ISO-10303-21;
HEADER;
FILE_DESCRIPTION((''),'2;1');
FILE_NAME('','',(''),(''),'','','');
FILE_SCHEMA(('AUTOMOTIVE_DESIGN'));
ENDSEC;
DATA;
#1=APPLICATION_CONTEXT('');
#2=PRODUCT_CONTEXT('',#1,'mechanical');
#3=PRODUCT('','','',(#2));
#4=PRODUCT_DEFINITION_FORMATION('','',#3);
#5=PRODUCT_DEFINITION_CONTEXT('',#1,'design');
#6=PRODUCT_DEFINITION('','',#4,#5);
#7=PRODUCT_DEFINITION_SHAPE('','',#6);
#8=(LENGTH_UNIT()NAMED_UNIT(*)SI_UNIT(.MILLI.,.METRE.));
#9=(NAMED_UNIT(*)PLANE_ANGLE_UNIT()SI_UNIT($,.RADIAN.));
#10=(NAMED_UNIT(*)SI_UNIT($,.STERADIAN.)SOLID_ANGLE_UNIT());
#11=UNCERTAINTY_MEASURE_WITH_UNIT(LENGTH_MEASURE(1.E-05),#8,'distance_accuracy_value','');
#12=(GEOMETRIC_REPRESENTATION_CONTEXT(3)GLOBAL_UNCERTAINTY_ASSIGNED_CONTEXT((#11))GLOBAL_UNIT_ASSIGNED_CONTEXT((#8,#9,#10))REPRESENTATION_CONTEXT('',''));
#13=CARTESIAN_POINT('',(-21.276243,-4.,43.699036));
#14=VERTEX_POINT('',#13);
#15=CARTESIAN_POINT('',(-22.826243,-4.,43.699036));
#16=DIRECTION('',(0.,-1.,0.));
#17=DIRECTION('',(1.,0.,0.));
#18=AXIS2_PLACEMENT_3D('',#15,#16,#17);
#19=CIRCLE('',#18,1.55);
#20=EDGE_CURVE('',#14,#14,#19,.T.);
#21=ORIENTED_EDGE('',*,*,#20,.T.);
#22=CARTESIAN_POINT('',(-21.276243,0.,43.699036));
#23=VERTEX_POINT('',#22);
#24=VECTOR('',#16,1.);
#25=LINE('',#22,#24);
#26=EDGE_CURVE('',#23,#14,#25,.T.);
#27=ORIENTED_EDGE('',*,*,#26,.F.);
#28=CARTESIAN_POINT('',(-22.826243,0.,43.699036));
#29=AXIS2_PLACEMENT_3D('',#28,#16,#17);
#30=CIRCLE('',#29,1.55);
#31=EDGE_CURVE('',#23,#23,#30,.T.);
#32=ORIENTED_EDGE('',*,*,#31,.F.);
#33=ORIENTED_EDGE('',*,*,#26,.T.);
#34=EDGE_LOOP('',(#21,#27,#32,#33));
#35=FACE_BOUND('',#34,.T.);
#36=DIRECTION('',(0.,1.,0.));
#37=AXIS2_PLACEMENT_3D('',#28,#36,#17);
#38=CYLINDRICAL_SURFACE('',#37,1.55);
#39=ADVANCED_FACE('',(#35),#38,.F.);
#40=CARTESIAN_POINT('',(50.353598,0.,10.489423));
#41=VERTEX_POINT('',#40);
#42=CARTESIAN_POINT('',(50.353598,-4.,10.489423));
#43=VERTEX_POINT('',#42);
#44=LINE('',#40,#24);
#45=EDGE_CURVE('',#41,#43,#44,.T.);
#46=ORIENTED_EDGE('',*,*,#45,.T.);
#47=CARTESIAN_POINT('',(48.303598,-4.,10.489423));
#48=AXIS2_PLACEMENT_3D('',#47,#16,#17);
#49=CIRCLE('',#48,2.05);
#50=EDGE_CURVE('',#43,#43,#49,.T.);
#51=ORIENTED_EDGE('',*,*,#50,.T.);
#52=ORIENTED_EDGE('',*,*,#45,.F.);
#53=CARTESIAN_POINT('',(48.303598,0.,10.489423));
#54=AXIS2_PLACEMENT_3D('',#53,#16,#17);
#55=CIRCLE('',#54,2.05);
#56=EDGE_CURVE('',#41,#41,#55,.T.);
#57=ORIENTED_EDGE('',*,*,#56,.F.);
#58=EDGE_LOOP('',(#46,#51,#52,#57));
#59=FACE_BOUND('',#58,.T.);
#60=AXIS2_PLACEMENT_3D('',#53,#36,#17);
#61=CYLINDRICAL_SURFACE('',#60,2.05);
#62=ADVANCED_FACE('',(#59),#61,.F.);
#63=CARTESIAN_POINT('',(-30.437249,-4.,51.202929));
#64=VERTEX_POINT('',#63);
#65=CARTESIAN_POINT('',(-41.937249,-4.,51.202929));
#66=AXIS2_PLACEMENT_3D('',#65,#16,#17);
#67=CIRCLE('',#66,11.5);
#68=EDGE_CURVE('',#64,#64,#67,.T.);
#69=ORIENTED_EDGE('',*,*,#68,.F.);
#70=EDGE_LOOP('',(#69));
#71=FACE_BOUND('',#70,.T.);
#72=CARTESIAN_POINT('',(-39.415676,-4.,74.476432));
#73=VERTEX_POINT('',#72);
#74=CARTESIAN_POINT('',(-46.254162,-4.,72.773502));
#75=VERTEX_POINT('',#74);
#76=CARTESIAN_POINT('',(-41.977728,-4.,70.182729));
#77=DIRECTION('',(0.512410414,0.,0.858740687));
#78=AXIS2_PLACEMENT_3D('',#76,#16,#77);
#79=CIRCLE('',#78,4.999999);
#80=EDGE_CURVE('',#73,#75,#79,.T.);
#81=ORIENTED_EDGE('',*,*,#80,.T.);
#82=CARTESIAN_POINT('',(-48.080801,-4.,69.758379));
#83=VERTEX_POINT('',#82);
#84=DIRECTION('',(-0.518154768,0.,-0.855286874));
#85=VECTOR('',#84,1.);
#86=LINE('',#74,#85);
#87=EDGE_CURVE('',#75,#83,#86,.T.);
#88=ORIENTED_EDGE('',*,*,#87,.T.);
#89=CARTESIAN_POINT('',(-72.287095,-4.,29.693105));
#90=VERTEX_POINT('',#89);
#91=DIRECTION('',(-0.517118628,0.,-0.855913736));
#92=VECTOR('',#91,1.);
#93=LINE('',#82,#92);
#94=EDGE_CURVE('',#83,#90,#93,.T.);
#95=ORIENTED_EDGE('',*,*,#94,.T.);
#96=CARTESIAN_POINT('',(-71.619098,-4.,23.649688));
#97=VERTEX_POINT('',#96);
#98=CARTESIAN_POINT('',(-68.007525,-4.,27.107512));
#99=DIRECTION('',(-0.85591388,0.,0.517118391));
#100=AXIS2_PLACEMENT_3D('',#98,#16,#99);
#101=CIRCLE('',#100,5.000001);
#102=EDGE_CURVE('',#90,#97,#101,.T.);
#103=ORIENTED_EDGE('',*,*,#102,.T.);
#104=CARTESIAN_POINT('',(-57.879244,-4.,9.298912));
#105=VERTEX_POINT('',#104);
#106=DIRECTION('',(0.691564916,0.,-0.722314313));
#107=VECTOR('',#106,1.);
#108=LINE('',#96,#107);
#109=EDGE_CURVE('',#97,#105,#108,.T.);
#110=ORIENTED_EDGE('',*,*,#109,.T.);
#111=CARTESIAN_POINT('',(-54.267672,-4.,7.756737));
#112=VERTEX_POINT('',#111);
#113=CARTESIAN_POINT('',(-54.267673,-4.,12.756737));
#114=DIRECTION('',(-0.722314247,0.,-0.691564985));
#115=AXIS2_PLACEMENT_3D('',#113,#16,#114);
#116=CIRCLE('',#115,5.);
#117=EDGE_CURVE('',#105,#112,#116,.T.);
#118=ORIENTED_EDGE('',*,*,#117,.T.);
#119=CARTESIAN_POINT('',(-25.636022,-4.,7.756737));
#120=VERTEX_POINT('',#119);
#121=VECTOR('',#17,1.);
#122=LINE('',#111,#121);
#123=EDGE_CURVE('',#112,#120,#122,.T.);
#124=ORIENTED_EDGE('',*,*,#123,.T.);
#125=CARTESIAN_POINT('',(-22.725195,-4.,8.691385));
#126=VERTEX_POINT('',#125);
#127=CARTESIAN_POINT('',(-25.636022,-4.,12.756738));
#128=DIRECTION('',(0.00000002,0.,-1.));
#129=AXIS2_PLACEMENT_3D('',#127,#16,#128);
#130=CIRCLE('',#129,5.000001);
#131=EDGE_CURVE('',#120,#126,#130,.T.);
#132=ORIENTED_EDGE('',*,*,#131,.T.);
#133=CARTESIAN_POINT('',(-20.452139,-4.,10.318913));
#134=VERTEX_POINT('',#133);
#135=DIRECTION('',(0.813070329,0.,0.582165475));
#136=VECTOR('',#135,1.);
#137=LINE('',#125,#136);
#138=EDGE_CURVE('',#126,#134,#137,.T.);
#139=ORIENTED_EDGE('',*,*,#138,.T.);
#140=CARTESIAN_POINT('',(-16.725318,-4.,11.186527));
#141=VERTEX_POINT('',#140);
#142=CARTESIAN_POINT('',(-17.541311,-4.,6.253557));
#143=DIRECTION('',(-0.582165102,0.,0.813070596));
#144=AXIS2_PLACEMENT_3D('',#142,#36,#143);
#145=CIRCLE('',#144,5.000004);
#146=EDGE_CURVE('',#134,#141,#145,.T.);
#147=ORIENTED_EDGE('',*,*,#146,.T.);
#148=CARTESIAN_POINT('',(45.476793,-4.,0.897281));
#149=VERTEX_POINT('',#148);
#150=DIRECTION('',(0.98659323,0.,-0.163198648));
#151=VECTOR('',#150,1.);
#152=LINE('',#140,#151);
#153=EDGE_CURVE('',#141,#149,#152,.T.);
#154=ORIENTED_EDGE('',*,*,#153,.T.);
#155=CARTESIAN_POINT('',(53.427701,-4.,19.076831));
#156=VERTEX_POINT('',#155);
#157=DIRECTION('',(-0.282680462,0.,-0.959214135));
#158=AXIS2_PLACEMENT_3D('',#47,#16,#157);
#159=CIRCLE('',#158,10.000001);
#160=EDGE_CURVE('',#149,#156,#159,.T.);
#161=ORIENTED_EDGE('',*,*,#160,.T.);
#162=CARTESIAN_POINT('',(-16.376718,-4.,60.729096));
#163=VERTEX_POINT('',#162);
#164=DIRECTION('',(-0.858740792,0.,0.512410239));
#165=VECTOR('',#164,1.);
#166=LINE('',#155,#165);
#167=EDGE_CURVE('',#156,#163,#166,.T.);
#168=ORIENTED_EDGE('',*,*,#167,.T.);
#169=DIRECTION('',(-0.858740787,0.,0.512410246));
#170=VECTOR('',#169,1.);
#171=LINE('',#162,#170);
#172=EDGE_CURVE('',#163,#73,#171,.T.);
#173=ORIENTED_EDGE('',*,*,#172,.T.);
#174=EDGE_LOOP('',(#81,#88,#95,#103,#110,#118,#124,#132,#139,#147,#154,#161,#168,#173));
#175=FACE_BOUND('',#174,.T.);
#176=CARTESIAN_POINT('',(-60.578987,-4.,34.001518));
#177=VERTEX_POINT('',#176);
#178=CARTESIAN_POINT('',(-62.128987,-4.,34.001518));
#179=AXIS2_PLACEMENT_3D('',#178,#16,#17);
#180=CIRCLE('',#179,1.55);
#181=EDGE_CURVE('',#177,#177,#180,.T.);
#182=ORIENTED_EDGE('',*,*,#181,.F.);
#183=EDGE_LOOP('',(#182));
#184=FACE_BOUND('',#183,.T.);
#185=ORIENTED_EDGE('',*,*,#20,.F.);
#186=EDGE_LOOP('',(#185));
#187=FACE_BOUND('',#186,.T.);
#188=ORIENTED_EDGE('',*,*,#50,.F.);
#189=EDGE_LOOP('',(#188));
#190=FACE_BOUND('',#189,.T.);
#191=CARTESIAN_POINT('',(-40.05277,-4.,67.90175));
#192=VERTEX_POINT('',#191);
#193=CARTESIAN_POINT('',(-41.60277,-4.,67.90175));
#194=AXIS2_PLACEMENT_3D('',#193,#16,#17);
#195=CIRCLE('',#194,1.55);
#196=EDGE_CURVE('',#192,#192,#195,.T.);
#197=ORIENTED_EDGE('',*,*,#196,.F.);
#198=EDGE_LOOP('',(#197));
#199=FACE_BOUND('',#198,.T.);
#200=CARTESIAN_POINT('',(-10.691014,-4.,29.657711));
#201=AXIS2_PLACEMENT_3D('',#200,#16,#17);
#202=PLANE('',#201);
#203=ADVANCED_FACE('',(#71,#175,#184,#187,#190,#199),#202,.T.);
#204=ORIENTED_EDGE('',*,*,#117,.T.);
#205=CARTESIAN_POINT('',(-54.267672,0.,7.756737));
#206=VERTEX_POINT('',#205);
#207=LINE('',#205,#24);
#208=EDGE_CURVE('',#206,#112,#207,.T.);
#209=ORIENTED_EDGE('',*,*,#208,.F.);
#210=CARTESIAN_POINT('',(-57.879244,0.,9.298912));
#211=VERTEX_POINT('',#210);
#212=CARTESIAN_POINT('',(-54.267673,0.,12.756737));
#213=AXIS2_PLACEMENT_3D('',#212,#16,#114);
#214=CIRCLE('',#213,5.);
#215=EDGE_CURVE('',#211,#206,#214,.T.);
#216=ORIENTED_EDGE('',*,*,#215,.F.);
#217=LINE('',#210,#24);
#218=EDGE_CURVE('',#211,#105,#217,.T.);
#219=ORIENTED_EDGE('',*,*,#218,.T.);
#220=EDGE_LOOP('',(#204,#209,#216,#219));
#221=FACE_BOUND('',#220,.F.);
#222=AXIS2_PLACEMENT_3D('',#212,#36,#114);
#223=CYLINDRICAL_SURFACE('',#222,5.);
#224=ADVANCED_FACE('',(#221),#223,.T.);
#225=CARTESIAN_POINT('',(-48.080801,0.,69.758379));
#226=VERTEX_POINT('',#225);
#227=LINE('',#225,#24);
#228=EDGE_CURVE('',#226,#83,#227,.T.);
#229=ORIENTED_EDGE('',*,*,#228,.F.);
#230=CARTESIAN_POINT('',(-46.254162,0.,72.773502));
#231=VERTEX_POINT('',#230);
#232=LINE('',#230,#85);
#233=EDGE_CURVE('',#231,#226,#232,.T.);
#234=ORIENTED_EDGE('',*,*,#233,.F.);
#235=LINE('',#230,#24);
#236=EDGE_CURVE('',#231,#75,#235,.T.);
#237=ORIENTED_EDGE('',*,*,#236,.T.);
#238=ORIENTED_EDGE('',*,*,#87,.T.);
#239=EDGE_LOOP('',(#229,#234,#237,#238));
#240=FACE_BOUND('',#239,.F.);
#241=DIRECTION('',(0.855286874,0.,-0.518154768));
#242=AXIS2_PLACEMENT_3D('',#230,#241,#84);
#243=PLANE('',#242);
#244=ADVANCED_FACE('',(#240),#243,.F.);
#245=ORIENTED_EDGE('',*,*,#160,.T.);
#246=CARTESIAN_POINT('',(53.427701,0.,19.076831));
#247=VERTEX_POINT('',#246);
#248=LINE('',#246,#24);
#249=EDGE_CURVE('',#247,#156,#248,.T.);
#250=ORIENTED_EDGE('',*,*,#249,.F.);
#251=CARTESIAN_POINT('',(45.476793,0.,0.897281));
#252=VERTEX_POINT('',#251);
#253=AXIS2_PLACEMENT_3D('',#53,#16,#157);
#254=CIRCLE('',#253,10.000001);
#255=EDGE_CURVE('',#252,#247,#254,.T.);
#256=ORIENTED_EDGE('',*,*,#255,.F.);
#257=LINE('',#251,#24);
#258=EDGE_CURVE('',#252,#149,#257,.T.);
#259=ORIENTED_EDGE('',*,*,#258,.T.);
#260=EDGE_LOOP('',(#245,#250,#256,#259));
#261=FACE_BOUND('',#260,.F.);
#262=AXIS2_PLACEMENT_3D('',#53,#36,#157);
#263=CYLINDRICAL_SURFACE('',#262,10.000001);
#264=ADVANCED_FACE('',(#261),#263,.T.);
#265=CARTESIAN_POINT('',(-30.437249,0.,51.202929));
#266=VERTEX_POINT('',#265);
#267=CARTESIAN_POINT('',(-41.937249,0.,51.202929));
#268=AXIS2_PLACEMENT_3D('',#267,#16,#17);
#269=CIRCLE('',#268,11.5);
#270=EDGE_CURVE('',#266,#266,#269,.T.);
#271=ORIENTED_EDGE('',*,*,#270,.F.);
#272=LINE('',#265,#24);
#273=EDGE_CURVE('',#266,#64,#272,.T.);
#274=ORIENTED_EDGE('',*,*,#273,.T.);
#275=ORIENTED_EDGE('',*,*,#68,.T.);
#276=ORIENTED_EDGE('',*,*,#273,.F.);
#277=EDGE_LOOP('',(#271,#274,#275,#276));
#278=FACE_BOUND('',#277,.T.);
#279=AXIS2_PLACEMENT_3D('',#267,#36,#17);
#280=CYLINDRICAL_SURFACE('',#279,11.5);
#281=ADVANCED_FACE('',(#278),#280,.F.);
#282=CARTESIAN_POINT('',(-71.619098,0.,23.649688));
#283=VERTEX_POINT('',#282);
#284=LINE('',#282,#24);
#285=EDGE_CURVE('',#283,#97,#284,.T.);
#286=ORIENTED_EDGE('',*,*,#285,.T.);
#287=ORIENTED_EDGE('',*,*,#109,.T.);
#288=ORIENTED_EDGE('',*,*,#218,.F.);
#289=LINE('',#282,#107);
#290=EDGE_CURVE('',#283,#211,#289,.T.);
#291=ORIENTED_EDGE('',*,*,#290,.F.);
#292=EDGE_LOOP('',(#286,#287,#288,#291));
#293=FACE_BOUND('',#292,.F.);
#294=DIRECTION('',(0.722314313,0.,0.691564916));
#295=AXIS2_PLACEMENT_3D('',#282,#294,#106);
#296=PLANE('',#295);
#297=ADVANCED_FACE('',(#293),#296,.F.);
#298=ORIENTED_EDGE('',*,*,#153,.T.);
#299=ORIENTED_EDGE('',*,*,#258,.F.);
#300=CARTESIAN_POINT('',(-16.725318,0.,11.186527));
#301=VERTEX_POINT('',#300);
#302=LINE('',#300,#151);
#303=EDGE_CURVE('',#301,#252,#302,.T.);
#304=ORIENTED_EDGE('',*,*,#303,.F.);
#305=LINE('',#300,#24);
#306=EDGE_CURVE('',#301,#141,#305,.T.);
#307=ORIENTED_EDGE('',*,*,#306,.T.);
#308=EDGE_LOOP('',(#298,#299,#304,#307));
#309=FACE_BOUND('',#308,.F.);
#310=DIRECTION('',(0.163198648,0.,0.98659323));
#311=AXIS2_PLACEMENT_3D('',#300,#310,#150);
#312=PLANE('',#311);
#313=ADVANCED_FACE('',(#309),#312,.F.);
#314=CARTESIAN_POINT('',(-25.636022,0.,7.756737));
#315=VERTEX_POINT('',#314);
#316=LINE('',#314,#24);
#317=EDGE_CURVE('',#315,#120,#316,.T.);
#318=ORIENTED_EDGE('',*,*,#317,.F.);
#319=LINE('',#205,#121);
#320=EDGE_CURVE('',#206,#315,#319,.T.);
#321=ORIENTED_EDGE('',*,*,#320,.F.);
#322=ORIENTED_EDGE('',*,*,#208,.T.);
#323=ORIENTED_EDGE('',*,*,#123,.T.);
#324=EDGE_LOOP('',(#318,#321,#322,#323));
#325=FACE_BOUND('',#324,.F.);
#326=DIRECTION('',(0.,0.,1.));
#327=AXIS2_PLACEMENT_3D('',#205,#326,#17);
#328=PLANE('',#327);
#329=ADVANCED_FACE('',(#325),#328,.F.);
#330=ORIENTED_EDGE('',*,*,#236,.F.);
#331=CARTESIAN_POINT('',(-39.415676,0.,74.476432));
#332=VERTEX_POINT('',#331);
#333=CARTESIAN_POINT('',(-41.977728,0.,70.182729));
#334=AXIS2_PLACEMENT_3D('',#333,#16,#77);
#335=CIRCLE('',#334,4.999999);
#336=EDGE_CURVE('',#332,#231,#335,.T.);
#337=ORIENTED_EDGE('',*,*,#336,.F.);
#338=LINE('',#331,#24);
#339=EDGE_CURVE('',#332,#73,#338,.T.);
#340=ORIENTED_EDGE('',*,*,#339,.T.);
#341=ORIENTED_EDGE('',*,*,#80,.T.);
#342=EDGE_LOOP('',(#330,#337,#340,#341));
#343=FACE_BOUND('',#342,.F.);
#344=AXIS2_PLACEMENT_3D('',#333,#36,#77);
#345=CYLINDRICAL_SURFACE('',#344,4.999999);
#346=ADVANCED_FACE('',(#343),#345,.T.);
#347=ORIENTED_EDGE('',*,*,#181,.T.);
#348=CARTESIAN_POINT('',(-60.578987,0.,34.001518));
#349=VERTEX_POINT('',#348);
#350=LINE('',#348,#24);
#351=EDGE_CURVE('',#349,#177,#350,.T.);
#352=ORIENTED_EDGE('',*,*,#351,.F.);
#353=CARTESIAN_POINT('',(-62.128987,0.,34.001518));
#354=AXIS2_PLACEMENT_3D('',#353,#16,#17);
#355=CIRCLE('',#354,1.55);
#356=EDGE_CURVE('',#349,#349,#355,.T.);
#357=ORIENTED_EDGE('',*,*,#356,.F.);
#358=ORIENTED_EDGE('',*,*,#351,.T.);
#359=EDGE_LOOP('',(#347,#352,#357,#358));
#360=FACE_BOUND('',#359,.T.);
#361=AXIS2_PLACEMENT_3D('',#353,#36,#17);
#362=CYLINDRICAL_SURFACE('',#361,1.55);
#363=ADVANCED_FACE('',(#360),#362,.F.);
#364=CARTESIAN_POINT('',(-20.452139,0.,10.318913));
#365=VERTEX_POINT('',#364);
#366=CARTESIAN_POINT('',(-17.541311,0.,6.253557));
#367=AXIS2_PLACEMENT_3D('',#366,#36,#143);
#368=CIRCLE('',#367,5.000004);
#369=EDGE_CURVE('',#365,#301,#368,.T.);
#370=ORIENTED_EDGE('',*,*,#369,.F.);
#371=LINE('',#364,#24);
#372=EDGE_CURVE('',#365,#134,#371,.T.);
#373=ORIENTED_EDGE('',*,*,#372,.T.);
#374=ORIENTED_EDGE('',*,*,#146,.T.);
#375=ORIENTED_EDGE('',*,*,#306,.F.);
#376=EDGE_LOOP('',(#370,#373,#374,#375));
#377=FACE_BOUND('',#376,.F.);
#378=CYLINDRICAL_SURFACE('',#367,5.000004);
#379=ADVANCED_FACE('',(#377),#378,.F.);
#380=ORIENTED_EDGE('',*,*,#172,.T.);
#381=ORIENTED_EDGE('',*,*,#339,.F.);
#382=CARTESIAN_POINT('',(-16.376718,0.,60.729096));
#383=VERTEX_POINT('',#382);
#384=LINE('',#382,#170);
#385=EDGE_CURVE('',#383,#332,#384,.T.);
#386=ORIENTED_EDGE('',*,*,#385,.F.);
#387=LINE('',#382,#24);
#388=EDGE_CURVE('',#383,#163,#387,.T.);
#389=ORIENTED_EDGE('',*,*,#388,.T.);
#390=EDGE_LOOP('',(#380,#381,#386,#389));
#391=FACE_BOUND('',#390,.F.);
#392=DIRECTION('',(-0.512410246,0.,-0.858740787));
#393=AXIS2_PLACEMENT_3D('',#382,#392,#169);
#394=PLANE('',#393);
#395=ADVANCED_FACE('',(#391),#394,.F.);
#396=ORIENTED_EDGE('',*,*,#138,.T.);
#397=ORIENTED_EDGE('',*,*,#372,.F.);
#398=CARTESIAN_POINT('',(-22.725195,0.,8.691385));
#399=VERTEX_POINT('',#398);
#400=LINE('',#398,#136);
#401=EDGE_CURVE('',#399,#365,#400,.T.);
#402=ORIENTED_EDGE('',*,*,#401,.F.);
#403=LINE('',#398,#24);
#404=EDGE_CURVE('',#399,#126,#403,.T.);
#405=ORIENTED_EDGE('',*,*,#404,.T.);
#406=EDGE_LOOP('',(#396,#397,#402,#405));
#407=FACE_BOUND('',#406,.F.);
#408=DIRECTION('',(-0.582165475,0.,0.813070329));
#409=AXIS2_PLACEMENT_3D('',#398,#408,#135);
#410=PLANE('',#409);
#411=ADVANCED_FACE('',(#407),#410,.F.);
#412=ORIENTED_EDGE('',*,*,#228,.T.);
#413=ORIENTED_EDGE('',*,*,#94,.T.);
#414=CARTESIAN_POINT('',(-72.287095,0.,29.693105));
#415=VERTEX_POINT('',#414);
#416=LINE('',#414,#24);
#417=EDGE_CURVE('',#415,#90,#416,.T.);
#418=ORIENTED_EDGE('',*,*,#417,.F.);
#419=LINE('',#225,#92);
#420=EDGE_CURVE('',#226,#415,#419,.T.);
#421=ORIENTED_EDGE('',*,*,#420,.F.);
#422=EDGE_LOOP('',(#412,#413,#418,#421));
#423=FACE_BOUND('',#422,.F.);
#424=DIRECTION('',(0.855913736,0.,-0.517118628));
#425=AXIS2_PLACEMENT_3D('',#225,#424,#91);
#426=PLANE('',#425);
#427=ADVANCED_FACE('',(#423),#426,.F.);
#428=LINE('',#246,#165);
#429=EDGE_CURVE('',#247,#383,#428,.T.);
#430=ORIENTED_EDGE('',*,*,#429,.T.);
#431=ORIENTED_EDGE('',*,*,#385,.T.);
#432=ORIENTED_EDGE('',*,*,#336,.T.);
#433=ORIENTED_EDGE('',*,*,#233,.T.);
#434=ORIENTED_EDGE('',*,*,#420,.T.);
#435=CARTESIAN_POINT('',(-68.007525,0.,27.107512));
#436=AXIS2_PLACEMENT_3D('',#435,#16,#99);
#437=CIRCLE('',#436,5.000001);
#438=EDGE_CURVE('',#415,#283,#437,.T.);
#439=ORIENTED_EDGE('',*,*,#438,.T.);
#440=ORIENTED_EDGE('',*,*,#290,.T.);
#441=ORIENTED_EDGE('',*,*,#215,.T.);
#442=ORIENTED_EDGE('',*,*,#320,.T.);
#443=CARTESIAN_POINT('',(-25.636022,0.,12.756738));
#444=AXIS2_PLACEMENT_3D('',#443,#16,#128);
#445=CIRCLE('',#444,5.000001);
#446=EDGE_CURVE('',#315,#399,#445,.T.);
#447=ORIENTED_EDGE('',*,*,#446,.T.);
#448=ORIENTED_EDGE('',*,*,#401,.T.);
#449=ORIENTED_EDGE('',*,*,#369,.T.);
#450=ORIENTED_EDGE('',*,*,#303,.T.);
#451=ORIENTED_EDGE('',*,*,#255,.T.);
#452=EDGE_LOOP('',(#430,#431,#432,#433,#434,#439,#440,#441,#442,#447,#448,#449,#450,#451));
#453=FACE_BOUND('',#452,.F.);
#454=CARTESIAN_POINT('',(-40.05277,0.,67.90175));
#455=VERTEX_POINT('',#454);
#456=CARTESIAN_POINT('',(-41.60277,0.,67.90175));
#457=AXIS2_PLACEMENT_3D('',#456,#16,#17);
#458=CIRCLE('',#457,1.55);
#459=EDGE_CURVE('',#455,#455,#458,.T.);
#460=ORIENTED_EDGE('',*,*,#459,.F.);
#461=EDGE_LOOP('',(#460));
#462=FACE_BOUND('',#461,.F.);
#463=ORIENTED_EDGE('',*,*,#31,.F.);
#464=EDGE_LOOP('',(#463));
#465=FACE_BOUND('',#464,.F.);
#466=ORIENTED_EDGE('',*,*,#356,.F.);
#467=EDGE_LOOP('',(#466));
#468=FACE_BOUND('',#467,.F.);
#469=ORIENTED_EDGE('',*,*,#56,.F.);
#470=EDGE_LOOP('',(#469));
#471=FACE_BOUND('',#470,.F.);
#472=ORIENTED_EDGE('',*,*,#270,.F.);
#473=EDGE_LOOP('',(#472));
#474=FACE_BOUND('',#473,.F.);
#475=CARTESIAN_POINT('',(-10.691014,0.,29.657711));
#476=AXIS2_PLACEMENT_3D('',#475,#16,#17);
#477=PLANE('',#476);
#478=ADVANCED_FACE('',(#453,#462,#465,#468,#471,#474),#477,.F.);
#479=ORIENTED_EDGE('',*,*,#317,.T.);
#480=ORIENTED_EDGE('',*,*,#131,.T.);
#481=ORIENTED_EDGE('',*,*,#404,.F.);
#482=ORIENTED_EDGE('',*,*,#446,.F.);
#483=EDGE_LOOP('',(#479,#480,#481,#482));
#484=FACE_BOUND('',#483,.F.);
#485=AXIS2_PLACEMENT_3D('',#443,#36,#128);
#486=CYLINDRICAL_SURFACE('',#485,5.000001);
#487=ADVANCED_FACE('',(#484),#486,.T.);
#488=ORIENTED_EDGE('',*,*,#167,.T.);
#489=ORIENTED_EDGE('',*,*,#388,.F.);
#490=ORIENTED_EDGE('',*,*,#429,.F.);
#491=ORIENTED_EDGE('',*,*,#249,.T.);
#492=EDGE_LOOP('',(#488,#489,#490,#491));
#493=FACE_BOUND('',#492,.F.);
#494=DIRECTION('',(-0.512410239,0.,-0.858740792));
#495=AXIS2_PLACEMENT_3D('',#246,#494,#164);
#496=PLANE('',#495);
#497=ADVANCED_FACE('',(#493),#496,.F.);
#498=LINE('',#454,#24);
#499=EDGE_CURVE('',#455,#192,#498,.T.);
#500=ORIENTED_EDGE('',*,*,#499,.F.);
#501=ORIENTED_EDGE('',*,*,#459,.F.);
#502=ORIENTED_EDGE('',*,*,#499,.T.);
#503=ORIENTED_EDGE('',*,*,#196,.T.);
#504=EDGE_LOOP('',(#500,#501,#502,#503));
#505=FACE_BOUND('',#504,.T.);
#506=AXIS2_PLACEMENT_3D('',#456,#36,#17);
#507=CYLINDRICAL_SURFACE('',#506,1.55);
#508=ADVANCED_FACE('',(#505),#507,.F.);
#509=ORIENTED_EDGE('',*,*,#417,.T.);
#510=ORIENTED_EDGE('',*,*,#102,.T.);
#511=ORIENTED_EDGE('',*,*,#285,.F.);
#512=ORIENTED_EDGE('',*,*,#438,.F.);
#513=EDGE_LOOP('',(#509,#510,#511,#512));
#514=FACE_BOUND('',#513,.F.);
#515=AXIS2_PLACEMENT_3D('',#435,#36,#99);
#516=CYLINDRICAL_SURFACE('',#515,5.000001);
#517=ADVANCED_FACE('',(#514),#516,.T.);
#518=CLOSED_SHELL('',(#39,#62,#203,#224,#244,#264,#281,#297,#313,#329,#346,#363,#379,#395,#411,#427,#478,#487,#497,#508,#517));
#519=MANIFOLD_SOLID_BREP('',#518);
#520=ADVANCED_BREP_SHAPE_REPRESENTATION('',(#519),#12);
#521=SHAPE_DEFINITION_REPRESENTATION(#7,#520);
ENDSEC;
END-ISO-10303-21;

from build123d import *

# Parameters (mm, degrees)
F0_R     = 1.55
F0_R_2   = 2.05
F0_R_3   = 11.5
F1_DEPTH = 4


with BuildPart() as f1:
    # F0 (on Front) → F1 (new body)
    with BuildSketch(Plane.XZ):
        with BuildLine():
            Line((-16.725318, 11.186527), (45.476793, 0.897281))
            ThreePointArc((45.476793, 0.897281), (57.465661, 6.482353), (53.427701, 19.076831))
            Line((53.427701, 19.076831), (-16.376718, 60.729096))
            Line((-16.376718, 60.729096), (-39.415676, 74.476432))
            ThreePointArc((-39.415676, 74.476432), (-43.185937, 75.034556), (-46.254162, 72.773502))
            Line((-46.254162, 72.773502), (-48.080801, 69.758379))
            Line((-48.080801, 69.758379), (-72.287095, 29.693105))
            ThreePointArc((-72.287095, 29.693105), (-72.977259, 26.558193), (-71.619098, 23.649688))
            Line((-71.619098, 23.649688), (-57.879244, 9.298912))
            ThreePointArc((-57.879244, 9.298912), (-56.231199, 8.158415), (-54.267672, 7.756737))
            Line((-54.267672, 7.756737), (-25.636022, 7.756737))
            ThreePointArc((-25.636022, 7.756737), (-24.107421, 7.99613), (-22.725195, 8.691385))
            Line((-22.725195, 8.691385), (-20.452139, 10.318913))
            ThreePointArc((-20.452139, 10.318913), (-18.675009, 11.123338), (-16.725318, 11.186527))
        make_face()
        with Locations((-62.128987, 34.001518)):
            Circle(F0_R, mode=Mode.SUBTRACT)
        with Locations((48.303598, 10.489423)):
            Circle(F0_R_2, mode=Mode.SUBTRACT)
        with Locations((-41.937249, 51.202929)):
            Circle(F0_R_3, mode=Mode.SUBTRACT)
        with Locations((-22.826243, 43.699036)):
            Circle(F0_R, mode=Mode.SUBTRACT)
        with Locations((-41.60277, 67.90175)):
            Circle(F0_R, mode=Mode.SUBTRACT)
    extrude(amount=F1_DEPTH)


solid = f1.part
